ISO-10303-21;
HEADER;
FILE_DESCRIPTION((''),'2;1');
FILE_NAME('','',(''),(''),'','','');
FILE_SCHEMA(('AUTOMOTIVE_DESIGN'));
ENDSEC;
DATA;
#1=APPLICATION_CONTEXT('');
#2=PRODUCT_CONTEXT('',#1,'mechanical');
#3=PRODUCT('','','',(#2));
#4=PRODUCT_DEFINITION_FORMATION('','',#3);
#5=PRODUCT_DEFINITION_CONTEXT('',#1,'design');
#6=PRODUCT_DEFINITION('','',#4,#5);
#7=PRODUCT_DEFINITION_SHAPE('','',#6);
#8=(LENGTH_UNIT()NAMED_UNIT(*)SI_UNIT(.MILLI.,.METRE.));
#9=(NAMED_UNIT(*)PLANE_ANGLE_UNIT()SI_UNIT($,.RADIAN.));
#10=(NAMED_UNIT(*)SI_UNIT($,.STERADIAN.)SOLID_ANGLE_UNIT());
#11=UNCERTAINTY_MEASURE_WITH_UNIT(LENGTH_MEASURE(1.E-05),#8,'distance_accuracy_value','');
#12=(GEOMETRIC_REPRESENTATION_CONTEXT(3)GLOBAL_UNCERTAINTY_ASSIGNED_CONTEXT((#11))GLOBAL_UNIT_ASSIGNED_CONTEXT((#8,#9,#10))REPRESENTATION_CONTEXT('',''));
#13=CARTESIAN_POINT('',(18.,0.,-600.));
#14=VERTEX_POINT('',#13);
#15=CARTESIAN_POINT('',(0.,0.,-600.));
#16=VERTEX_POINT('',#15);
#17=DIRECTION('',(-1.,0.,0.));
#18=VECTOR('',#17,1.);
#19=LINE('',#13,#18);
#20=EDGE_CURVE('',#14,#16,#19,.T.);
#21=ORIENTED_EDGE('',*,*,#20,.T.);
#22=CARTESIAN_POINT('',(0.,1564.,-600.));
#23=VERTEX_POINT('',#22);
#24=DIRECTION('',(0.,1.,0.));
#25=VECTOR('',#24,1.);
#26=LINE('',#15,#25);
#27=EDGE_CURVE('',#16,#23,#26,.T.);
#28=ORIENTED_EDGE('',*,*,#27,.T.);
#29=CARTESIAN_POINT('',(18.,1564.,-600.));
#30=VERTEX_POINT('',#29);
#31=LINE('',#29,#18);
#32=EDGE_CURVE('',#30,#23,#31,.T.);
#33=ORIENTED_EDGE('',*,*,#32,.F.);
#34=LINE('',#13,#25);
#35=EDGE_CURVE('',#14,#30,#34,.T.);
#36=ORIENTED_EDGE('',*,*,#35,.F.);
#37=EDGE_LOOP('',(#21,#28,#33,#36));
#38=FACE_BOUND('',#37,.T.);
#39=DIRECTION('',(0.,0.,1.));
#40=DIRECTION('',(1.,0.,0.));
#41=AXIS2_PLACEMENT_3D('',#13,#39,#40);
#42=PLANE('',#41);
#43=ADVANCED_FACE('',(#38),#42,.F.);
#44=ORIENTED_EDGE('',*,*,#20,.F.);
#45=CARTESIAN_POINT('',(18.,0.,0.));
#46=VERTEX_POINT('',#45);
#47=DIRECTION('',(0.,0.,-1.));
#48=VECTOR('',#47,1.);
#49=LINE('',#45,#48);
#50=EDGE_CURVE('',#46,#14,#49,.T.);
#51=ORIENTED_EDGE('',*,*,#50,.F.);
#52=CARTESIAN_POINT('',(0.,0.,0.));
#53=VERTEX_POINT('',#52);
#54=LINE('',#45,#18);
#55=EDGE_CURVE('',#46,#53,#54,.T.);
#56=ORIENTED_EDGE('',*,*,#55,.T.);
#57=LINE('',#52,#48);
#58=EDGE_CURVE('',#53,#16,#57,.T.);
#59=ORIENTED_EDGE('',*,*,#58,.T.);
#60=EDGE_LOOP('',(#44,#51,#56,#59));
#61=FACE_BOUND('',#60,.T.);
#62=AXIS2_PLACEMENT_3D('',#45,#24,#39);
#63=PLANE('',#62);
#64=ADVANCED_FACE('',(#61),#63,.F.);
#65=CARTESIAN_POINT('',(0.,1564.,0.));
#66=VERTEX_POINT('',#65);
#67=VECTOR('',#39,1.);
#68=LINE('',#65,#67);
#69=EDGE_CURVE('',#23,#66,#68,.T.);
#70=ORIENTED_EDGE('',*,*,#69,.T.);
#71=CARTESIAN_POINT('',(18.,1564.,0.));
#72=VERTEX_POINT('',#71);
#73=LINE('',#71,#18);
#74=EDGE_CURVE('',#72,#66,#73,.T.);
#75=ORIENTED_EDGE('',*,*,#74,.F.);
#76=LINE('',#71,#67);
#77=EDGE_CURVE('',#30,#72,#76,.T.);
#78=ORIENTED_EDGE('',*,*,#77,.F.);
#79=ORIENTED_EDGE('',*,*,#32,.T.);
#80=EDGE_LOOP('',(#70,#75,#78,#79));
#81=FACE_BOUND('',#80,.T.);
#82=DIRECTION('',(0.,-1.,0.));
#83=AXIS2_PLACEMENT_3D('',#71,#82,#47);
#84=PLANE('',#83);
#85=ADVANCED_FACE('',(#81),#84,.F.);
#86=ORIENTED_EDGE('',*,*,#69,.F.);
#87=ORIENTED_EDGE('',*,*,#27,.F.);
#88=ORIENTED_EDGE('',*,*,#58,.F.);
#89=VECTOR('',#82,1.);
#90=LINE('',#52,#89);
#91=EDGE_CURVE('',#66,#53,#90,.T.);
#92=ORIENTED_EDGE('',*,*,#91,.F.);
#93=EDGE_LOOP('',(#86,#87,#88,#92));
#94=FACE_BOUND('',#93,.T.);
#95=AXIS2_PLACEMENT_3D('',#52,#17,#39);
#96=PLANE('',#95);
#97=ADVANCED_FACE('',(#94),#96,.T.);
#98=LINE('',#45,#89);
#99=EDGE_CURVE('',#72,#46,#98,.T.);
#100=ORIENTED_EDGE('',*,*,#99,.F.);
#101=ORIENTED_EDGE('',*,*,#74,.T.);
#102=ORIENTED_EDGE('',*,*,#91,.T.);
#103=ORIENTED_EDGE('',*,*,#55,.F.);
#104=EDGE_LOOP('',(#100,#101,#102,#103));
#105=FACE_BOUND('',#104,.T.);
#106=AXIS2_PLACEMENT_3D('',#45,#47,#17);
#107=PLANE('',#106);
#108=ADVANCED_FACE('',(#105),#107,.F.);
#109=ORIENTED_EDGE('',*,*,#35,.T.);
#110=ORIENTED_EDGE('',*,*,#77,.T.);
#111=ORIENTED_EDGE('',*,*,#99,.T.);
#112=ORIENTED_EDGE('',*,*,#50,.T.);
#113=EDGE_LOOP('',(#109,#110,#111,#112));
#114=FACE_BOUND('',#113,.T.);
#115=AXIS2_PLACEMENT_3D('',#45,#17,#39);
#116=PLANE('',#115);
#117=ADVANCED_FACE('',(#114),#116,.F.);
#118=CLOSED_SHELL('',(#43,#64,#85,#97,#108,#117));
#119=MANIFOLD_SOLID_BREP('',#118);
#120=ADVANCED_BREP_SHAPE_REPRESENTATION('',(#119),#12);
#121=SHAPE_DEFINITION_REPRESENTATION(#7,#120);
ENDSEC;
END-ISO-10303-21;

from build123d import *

# Parameters (mm, degrees)
SKETCH_1_W      = 600
SKETCH_1_H      = 1564
EXTRUDE_1_DEPTH = 18


with BuildPart() as part:
    # Эскиз1 → Бобышка-Вытянуть1 (new body)
    with BuildSketch(Plane(origin=(0, 0, 0), x_dir=(0, 0, -1), z_dir=(1, 0, 0))):
        with Locations((300, 782)):
            Rectangle(SKETCH_1_W, SKETCH_1_H)
    extrude(amount=EXTRUDE_1_DEPTH)


solid = part.part
